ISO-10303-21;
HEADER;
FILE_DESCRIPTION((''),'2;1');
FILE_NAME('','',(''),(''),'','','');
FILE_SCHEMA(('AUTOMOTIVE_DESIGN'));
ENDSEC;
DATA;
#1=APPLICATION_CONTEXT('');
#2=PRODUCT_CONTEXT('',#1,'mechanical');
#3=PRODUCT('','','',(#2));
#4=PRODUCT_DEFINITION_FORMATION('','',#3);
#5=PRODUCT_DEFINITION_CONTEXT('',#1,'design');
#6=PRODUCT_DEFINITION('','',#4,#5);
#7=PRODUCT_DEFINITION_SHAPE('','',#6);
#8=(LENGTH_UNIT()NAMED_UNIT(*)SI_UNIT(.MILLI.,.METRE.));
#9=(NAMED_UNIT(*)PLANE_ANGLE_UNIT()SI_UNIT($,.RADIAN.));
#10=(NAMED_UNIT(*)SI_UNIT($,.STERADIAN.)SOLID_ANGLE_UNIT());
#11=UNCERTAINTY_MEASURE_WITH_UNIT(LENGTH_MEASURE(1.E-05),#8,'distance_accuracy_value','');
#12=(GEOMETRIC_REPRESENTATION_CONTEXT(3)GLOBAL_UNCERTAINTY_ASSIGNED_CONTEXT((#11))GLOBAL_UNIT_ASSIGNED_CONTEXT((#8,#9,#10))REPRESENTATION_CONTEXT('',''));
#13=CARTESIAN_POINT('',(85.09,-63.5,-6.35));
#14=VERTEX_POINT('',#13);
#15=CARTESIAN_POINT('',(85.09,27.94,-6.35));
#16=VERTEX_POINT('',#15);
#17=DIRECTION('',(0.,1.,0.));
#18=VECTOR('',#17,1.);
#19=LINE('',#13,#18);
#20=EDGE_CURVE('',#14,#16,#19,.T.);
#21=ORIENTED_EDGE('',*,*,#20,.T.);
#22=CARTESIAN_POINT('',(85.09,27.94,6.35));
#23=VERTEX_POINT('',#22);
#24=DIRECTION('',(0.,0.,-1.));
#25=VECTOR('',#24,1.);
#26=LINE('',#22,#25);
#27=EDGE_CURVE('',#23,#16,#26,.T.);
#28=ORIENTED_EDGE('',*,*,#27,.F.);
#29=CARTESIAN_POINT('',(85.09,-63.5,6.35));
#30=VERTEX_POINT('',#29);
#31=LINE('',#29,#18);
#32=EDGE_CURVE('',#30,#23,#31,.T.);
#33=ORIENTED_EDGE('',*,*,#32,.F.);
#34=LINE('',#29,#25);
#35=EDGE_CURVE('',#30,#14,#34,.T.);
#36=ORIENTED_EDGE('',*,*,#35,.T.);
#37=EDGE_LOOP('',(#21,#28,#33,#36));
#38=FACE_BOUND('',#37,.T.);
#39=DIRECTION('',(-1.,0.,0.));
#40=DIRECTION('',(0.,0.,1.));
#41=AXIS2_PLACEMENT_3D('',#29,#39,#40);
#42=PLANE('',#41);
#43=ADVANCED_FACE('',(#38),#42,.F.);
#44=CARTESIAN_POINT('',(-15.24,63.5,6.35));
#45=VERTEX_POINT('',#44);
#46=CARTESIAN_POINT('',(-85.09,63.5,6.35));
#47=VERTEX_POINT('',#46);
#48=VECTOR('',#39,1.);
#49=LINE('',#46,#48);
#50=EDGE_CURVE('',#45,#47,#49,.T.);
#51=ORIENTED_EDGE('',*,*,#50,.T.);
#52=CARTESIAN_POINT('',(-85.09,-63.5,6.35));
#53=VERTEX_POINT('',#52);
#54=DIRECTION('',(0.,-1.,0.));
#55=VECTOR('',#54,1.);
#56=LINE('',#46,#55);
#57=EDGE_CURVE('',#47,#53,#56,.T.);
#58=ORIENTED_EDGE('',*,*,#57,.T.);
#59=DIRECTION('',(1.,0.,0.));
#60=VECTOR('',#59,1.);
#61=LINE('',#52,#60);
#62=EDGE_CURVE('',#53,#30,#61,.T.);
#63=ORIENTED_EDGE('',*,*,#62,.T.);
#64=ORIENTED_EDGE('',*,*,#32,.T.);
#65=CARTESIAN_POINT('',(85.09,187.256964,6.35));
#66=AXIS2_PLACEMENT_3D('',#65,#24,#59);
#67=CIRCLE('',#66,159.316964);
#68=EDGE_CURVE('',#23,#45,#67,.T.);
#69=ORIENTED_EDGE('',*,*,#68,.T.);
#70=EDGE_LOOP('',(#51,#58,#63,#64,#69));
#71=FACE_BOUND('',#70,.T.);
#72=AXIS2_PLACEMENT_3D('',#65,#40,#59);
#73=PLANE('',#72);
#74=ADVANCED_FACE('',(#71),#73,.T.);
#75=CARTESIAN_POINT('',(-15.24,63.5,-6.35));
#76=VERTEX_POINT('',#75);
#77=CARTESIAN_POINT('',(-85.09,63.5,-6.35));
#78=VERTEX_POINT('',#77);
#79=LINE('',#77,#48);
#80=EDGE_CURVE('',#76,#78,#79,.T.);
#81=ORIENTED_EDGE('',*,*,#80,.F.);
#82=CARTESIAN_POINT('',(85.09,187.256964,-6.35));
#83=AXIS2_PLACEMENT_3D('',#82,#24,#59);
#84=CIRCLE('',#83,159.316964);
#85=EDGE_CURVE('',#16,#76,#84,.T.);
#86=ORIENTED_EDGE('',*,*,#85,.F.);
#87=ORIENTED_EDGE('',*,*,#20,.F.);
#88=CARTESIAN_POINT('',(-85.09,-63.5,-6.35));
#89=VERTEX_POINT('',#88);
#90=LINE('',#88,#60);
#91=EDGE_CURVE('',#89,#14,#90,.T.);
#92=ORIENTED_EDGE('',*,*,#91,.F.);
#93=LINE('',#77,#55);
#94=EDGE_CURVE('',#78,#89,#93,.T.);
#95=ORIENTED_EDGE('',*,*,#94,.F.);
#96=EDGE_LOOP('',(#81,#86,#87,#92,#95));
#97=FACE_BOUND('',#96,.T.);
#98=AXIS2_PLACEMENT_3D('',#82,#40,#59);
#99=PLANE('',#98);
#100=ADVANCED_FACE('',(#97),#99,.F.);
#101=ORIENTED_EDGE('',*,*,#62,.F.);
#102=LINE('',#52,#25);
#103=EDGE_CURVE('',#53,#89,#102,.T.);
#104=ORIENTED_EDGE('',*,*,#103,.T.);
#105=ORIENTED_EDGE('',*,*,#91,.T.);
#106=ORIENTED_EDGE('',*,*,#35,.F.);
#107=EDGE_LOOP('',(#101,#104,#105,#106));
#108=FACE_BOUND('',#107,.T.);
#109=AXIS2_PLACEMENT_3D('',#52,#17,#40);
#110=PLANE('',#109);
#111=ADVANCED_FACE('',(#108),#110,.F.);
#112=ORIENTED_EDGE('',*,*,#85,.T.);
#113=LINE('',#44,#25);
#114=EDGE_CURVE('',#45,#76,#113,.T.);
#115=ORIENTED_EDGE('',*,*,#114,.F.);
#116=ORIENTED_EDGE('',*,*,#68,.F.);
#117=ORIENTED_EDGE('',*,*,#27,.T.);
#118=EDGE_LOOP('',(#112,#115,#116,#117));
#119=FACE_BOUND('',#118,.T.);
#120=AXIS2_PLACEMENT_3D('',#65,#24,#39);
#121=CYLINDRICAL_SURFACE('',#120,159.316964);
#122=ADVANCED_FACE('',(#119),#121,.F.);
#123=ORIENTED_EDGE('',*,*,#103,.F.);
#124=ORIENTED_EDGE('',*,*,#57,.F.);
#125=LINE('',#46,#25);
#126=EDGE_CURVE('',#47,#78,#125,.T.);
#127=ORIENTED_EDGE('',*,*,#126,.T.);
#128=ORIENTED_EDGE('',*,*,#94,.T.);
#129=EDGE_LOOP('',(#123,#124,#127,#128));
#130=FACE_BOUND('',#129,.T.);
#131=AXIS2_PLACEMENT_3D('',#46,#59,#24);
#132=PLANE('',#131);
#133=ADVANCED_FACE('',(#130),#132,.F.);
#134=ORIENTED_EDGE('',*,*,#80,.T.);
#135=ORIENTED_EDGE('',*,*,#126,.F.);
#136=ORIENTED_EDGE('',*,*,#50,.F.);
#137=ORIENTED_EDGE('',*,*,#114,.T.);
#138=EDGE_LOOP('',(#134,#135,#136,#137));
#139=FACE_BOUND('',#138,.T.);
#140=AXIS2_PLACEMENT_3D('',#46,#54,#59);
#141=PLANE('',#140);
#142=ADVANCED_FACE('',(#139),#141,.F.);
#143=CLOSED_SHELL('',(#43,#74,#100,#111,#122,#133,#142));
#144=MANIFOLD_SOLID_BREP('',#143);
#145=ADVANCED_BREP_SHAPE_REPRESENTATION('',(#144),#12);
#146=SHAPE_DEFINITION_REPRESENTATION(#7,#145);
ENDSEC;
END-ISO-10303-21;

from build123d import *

# Parameters (mm, degrees)
BOSS_EXTRUDE2_DEPTH = 6.35


with BuildPart() as part:
    # Sketch1 → Boss-Extrude2 (new, symmetric)
    with BuildSketch(Plane.XY):
        with BuildLine():
            Line((-85.09, 63.5), (-85.09, -63.5))
            Line((-85.09, -63.5), (85.09, -63.5))
            Line((85.09, -63.5), (85.09, 27.94))
            ThreePointArc((85.09, 27.94), (31.8673016, 37.092922371), (-15.24, 63.5))
            Line((-15.24, 63.5), (-85.09, 63.5))
        make_face()
    extrude(amount=BOSS_EXTRUDE2_DEPTH, both=True)


solid = part.part
